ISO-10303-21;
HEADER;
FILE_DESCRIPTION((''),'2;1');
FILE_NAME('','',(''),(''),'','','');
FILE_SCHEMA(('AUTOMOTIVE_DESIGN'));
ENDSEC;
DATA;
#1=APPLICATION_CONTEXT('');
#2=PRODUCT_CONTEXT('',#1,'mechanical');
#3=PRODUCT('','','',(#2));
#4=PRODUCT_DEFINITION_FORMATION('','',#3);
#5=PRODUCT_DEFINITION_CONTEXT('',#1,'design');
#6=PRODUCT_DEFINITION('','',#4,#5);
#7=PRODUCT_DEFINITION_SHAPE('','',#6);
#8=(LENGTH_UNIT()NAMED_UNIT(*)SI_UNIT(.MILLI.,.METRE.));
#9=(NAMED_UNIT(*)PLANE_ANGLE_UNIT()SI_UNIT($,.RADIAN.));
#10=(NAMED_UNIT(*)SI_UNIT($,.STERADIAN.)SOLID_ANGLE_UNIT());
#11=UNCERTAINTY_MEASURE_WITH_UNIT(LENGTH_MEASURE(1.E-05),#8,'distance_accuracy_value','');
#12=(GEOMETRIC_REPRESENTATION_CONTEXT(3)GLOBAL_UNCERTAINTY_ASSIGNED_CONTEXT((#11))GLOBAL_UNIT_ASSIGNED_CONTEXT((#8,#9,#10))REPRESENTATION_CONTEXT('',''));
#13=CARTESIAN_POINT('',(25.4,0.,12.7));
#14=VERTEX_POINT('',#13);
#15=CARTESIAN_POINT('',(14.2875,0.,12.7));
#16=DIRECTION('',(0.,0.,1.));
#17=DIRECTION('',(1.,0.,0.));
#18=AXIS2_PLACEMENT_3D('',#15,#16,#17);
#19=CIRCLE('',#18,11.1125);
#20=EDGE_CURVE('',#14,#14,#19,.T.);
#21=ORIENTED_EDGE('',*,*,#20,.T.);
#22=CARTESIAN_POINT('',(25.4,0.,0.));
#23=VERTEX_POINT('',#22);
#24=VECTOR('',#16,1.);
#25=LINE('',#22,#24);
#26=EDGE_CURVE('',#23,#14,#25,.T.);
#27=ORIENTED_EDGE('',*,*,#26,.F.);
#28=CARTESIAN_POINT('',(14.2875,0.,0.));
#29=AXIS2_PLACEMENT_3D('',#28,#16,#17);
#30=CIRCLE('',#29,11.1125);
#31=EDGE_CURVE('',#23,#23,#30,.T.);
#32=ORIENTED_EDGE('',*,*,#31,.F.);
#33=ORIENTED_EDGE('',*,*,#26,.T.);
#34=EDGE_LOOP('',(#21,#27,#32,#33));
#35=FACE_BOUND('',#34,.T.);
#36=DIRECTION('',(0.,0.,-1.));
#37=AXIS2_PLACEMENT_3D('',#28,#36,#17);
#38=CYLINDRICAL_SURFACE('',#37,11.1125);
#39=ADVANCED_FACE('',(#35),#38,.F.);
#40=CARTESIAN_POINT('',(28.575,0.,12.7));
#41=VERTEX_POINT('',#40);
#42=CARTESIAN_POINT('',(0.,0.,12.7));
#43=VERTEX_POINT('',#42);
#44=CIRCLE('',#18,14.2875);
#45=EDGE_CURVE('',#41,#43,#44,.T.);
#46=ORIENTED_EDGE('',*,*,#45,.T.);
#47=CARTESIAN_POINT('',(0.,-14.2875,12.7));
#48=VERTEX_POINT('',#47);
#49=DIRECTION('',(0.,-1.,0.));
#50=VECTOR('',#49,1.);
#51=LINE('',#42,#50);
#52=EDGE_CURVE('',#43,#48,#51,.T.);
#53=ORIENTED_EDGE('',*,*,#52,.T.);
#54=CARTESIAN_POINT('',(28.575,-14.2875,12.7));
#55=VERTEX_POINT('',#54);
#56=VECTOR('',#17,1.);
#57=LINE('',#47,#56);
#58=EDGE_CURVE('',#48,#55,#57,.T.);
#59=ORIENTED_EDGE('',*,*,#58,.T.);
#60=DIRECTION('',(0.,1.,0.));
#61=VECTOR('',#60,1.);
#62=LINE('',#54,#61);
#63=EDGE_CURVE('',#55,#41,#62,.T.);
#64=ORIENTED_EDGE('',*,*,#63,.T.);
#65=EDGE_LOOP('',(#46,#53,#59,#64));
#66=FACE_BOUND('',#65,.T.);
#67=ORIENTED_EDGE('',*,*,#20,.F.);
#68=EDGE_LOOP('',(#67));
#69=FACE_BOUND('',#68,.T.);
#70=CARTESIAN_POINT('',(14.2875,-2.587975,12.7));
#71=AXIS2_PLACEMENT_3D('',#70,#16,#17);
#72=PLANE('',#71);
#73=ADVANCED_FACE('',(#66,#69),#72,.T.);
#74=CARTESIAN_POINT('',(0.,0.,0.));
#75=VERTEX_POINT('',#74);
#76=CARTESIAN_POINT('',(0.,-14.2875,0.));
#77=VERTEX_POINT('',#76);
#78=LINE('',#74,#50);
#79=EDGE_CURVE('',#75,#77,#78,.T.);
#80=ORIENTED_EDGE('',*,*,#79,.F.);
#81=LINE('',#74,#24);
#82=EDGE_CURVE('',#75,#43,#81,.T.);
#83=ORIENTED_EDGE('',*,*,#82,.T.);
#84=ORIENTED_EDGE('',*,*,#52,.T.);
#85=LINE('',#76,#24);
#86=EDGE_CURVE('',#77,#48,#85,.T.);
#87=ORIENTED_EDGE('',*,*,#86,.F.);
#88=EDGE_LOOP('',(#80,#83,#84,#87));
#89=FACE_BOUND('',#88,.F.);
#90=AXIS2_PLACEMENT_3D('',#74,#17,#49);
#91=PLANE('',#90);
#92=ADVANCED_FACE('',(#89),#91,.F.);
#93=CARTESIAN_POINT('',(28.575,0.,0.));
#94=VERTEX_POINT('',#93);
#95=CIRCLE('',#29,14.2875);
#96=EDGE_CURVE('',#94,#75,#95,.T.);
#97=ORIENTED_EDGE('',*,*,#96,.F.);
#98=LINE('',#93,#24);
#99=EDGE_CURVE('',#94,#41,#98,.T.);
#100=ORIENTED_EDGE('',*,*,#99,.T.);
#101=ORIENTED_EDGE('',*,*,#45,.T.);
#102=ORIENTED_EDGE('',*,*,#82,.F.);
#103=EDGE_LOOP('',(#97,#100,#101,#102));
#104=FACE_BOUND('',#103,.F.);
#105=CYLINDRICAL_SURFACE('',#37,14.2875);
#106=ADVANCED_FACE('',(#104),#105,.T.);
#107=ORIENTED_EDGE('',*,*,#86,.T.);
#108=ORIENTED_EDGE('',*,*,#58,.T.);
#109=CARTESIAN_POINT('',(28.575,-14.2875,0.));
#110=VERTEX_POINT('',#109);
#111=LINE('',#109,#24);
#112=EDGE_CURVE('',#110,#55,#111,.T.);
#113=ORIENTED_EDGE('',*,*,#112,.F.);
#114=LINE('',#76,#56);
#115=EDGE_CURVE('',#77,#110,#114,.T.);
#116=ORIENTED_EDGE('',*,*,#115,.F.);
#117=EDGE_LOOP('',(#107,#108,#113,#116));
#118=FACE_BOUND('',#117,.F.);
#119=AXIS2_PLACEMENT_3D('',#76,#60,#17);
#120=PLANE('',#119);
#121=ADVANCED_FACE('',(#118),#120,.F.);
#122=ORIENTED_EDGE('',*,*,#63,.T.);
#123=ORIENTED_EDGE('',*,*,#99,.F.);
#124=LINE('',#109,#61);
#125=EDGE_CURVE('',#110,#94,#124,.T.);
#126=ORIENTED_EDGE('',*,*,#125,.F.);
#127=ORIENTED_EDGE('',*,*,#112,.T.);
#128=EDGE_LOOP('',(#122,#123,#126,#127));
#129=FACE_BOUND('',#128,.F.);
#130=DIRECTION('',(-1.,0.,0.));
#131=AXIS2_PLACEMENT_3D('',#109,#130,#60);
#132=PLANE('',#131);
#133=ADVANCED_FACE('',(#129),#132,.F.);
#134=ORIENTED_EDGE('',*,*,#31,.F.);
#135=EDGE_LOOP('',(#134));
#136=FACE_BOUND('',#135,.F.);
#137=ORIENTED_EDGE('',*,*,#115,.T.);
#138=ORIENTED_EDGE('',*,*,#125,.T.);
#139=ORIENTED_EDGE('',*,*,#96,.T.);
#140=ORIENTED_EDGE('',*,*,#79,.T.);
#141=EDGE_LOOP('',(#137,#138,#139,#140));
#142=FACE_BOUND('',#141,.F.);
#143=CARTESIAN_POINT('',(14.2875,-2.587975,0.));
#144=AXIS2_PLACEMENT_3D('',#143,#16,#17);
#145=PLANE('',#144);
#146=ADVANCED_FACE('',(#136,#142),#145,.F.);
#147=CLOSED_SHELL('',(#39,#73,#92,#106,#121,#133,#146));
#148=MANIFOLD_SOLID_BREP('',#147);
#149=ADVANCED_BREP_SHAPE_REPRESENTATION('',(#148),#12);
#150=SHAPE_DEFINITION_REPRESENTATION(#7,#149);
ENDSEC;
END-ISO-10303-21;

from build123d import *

# Parameters (mm, degrees)
F0_R     = 11.1125
F1_DEPTH = 12.7


with BuildPart() as f1:
    # F0 (on Top) → F1 (new body)
    with BuildSketch(Plane.XY):
        with BuildLine():
            Line((0, 0), (0, -14.2875))
            Line((0, -14.2875), (28.575, -14.2875))
            Line((28.575, -14.2875), (28.575, 0))
            ThreePointArc((28.575, 0), (14.2875, 14.2875), (0, 0))
        make_face()
        with Locations((14.2875, 0)):
            Circle(F0_R, mode=Mode.SUBTRACT)
    extrude(amount=F1_DEPTH)


solid = f1.part
